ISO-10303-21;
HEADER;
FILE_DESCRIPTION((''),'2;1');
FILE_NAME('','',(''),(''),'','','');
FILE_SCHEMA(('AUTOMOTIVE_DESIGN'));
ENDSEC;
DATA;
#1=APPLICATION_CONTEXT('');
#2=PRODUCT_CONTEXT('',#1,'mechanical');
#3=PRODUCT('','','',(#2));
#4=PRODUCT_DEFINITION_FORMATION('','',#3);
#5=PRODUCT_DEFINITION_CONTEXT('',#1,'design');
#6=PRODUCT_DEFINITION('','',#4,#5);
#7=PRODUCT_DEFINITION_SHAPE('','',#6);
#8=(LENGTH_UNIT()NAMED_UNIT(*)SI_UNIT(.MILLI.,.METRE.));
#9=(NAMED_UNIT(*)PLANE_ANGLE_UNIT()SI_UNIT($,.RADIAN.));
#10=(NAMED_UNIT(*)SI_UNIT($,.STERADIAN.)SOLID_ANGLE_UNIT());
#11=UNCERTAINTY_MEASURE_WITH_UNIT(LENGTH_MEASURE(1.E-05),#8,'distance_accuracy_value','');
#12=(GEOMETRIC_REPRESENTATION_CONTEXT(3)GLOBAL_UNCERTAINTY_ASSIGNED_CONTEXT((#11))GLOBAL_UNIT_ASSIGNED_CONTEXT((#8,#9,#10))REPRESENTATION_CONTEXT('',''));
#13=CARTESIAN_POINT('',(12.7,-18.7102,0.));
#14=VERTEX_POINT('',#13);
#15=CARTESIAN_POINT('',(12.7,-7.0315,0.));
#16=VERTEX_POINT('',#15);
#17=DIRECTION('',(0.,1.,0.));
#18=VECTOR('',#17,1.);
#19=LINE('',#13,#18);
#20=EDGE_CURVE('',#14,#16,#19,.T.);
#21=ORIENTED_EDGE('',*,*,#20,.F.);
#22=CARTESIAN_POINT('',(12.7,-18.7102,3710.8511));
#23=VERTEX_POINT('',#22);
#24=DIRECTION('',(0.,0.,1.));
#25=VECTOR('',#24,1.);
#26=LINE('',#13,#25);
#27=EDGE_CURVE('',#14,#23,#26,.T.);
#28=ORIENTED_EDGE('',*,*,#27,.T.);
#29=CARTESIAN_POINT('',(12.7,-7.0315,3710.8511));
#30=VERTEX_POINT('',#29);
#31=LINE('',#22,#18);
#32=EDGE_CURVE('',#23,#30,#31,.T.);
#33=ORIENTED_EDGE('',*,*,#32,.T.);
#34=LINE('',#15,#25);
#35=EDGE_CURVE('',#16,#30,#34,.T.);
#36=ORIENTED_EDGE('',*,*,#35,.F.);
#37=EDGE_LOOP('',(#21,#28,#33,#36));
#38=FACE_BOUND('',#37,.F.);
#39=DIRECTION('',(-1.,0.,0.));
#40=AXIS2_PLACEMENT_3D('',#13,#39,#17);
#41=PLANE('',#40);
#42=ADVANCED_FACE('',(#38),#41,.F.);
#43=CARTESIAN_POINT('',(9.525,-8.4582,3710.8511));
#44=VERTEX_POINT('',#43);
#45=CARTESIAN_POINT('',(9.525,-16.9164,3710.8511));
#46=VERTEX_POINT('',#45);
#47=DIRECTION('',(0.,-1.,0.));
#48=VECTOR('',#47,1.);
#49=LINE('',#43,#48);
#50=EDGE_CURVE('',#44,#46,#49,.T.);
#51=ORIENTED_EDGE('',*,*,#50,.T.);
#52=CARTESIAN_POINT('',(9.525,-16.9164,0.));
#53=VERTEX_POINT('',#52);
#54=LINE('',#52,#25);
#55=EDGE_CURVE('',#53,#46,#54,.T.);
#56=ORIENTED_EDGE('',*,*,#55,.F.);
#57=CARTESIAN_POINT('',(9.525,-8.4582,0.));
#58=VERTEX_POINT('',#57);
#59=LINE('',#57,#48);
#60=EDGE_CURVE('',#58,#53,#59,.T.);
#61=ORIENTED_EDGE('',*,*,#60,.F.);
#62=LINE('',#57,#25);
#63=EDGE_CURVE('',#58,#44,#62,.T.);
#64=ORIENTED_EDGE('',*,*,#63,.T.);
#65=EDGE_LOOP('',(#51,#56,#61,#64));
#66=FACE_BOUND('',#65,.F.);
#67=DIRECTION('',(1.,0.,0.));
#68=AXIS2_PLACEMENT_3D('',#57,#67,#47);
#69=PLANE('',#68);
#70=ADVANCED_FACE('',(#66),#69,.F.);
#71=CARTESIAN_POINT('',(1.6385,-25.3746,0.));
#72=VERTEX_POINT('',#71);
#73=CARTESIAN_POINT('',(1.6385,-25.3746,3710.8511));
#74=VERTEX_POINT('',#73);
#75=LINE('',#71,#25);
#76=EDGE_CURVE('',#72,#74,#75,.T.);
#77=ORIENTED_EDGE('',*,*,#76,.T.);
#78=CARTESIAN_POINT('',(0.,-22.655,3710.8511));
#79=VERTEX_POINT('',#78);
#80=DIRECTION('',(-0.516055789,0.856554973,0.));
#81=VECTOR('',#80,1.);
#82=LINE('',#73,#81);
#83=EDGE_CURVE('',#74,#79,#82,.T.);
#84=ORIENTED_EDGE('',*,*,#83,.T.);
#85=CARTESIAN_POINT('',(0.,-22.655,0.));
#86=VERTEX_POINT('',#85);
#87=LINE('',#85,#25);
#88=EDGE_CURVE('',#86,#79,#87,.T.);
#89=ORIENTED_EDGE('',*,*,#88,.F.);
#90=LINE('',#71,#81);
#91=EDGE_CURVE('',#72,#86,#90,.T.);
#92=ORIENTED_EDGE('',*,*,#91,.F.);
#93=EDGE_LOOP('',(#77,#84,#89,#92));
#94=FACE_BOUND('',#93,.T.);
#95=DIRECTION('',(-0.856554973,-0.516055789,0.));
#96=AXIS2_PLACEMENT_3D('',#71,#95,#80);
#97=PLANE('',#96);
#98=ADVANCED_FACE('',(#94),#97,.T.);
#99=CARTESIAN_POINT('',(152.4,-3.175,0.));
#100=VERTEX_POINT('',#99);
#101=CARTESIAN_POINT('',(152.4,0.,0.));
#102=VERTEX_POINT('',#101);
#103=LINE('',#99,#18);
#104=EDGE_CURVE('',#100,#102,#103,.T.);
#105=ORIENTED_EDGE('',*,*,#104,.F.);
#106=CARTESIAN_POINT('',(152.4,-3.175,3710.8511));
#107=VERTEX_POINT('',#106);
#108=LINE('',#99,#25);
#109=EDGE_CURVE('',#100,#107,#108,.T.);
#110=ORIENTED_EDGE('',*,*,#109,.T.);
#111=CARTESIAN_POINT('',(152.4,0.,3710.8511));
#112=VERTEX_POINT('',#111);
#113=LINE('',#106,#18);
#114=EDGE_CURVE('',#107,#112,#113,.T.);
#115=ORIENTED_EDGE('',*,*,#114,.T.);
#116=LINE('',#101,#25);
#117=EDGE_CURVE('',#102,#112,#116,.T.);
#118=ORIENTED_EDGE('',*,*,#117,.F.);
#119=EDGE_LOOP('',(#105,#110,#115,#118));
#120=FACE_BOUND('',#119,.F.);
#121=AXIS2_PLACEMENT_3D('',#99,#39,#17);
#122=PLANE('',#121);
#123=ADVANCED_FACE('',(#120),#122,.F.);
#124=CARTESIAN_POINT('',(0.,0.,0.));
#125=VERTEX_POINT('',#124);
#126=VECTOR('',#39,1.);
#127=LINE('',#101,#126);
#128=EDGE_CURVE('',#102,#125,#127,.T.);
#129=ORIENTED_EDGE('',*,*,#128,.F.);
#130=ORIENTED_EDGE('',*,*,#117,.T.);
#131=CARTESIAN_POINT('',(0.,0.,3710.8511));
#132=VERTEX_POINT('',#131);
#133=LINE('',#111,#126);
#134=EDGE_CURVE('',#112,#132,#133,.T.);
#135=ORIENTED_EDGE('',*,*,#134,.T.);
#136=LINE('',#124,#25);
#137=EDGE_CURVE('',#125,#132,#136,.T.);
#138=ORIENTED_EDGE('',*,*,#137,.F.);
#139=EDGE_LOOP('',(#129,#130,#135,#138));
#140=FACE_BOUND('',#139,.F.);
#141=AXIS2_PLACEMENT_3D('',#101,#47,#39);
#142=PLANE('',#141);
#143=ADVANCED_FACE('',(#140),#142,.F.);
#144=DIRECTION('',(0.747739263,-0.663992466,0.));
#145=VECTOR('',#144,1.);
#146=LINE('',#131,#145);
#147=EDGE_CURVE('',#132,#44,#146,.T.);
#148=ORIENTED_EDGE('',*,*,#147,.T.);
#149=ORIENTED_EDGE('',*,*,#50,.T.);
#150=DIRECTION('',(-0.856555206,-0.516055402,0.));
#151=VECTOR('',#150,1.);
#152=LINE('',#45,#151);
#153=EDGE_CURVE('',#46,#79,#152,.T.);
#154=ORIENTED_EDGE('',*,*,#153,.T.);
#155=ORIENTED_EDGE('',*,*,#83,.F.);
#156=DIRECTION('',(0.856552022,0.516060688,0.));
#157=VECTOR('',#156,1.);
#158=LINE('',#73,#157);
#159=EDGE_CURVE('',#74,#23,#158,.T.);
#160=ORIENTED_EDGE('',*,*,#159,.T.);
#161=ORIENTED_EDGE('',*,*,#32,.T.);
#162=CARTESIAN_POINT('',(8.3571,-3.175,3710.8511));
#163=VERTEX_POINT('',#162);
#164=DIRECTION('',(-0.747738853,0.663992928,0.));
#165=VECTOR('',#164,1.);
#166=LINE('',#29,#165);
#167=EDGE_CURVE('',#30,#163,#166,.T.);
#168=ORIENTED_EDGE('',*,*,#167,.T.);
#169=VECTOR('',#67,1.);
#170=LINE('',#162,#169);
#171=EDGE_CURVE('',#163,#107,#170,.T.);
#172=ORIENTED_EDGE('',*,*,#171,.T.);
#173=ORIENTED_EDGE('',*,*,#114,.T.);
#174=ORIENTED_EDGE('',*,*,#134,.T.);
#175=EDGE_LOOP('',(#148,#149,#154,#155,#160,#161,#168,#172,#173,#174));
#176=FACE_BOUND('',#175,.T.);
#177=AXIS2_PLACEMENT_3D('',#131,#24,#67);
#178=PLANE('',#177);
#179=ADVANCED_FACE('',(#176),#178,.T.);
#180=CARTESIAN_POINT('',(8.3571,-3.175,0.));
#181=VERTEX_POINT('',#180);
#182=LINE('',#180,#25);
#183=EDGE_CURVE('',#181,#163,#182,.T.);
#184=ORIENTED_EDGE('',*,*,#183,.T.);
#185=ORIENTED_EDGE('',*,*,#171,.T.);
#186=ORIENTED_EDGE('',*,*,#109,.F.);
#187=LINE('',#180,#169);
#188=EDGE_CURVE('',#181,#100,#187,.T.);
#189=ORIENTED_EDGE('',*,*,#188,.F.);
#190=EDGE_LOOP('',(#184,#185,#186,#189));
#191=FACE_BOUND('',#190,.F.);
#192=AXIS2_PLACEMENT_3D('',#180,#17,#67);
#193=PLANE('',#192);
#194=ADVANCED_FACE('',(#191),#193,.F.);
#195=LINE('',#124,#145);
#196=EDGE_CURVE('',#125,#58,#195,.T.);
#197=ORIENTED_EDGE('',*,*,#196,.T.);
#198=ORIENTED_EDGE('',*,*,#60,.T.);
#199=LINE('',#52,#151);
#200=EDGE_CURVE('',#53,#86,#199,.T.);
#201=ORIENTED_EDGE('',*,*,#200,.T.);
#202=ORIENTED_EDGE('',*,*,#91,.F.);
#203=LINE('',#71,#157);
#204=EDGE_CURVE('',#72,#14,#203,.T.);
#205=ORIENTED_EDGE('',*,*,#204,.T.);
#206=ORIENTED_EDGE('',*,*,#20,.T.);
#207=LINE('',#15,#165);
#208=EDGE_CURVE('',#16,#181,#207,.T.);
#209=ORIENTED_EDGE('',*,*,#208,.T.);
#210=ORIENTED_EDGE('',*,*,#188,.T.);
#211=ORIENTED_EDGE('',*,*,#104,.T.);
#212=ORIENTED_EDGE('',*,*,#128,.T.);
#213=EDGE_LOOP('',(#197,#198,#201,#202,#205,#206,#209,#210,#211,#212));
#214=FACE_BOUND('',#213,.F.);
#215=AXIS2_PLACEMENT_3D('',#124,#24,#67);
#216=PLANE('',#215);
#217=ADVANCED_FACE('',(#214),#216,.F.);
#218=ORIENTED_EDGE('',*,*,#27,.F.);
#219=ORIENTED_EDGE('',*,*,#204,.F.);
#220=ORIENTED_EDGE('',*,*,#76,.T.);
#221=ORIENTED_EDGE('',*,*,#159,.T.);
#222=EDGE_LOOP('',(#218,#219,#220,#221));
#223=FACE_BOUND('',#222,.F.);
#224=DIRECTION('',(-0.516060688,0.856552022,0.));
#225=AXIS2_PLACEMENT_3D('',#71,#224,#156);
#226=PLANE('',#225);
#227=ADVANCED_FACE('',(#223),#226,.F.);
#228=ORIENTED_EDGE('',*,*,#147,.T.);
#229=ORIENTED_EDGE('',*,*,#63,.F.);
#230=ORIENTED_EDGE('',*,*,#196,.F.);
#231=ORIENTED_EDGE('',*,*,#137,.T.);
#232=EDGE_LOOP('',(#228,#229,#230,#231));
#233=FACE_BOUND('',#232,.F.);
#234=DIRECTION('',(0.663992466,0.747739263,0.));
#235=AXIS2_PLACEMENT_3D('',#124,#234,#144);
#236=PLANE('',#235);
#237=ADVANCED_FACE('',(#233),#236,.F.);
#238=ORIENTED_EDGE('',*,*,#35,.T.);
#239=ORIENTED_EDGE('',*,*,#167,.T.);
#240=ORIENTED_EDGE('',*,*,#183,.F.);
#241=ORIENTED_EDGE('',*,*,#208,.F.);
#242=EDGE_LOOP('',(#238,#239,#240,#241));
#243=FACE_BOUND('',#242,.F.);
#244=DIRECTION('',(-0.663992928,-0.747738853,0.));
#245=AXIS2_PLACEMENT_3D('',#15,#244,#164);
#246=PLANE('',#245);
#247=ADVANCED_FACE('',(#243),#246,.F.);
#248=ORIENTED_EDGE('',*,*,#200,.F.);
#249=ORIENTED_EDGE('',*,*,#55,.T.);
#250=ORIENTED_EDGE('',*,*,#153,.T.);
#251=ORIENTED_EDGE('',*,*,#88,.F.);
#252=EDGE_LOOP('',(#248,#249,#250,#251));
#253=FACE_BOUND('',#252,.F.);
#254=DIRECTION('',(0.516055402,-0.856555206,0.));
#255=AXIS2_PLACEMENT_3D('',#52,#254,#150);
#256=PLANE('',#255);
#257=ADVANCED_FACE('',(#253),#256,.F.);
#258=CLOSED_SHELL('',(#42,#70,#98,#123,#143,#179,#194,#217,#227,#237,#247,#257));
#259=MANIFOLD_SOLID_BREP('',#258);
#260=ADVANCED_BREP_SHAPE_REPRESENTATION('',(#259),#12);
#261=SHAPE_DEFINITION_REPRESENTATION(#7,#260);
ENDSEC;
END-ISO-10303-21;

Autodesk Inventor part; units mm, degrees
ref_plane "YZ Plane" through (0, 0, 0) normal (1, 0, 0) x (0, 1, 0)
ref_plane "XZ Plane" through (0, 0, 0) normal (0, 1, 0) x (-1, 0, 0)
ref_plane "XY Plane" through (0, 0, 0) normal (0, 0, 1) x (1, 0, 0)
sketch "Sketch1" plane through (0, 0, 0) normal (0, 0, 1) x (1, 0, 0)
  line L0 (152.4, -3.175) -> (152.4, 0)
  line L1 (152.4, 0) -> (0, 0)
  line L2 (0, 0) -> (9.525, -8.4582)
  line L3 (9.525, -8.4582) -> (9.525, -16.9164)
  line L4 (9.525, -16.9164) -> (0, -22.655)
  line L5 (1.6385, -25.3746) -> (12.7, -18.7102)
  line L6 (12.7, -18.7102) -> (12.7, -7.0315)
  line L7 (12.7, -7.0315) -> (8.3571, -3.175)
  line L8 (8.3571, -3.175) -> (152.4, -3.175)
  line L9 (1.6385, -25.3746) -> (0, -22.655)
  line L10 (0, 0) -> (0, -22.655)
  dimension "d49" = 3.175
  dimension "d50" = 3.175
  dimension "d51" = 3.175
  dimension "d52" = 3.175
  dimension "d54" = 8.4582
  dimension "d55" = 8.4582
  dimension "d61" = 8.4582
  dimension "d62" = 152.4
  dimension "d64" = 12.7
extrude "Extrusion2" add sketch "Sketch1" along normal blind 3710.8511 contours L8 L7 L6 L5 L9 L4 L3 L2 L1 L0
properties part number "Drip_Edge_For_Side" material "Aluminum 6061"
